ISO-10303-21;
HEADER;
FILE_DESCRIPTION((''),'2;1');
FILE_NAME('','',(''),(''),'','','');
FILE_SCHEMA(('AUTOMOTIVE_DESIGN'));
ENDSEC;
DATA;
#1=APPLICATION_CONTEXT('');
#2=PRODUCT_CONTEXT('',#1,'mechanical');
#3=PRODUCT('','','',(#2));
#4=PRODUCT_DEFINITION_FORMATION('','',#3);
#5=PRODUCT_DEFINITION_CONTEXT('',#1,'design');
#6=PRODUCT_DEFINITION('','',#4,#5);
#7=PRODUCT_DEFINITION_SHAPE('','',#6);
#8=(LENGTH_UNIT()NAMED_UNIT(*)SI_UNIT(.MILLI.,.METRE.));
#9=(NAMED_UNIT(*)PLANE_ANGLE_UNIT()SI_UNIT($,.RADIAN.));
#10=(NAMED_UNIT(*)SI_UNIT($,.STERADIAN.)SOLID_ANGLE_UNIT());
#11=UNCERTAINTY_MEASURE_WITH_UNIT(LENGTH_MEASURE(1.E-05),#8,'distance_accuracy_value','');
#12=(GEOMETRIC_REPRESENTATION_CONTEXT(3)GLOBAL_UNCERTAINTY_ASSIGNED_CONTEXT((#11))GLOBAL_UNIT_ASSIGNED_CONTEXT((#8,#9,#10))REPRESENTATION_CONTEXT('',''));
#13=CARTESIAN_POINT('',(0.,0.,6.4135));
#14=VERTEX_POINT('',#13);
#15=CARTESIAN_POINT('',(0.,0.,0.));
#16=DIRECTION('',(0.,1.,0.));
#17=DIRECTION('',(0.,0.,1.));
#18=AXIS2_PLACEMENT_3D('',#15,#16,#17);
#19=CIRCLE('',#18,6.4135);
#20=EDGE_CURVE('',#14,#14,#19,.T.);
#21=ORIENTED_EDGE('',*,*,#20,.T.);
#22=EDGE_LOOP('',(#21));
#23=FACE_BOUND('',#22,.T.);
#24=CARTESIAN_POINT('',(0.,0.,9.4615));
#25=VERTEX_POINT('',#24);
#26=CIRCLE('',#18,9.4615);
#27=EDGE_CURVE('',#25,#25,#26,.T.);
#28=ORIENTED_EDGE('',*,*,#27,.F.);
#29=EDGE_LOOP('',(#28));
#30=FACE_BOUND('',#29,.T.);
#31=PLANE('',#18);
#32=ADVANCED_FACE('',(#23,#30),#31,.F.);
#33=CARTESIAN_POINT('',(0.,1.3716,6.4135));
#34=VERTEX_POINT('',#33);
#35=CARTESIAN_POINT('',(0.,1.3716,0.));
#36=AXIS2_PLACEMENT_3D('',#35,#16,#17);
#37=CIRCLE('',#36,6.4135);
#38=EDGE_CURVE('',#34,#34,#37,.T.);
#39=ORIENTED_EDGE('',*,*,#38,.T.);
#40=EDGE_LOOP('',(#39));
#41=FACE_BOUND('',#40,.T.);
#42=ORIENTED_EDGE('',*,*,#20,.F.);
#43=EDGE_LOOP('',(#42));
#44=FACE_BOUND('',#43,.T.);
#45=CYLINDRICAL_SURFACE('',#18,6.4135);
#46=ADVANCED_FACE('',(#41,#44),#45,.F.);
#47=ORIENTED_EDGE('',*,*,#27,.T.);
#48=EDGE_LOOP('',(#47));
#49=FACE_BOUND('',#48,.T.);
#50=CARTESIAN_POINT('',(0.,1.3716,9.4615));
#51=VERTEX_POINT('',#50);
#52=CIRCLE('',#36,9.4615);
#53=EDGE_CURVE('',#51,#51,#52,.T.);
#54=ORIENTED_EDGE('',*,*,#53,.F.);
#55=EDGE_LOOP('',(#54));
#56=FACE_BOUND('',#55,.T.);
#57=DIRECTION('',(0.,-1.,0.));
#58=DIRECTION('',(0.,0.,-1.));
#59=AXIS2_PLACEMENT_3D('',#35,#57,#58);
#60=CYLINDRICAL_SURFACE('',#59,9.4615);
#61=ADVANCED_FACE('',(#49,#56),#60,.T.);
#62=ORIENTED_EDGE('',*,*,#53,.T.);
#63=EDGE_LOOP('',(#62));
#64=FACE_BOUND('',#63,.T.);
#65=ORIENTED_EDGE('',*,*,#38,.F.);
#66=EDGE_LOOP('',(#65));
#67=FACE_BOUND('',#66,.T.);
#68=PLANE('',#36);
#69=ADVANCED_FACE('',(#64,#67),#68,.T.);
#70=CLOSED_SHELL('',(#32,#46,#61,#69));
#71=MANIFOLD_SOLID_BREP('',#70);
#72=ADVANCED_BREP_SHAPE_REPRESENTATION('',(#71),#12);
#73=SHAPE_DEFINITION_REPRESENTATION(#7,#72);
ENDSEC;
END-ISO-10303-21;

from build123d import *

# Parameters (mm, degrees)
SKETCH1_R           = 9.4615
BOSS_EXTRUDE1_DEPTH = 1.3716
SKETCH5_R           = 6.4135
CUT_EXTRUDE1_DEPTH  = 2.3716


with BuildPart() as part:
    # Sketch1 → Boss-Extrude1 (new body)
    with BuildSketch(Plane(origin=(0, 0, 0), x_dir=(1, 0, 0), z_dir=(0, 1, 0))):
        Circle(SKETCH1_R)
    extrude(amount=BOSS_EXTRUDE1_DEPTH)

    # Sketch5 → Cut-Extrude1 (cut, through all)
    with BuildSketch(Plane(origin=(0, 1.3716, 0), x_dir=(-1, 0, 0), z_dir=(0, 1, 0))):
        Circle(SKETCH5_R)
    extrude(amount=-CUT_EXTRUDE1_DEPTH, mode=Mode.SUBTRACT)


solid = part.part
